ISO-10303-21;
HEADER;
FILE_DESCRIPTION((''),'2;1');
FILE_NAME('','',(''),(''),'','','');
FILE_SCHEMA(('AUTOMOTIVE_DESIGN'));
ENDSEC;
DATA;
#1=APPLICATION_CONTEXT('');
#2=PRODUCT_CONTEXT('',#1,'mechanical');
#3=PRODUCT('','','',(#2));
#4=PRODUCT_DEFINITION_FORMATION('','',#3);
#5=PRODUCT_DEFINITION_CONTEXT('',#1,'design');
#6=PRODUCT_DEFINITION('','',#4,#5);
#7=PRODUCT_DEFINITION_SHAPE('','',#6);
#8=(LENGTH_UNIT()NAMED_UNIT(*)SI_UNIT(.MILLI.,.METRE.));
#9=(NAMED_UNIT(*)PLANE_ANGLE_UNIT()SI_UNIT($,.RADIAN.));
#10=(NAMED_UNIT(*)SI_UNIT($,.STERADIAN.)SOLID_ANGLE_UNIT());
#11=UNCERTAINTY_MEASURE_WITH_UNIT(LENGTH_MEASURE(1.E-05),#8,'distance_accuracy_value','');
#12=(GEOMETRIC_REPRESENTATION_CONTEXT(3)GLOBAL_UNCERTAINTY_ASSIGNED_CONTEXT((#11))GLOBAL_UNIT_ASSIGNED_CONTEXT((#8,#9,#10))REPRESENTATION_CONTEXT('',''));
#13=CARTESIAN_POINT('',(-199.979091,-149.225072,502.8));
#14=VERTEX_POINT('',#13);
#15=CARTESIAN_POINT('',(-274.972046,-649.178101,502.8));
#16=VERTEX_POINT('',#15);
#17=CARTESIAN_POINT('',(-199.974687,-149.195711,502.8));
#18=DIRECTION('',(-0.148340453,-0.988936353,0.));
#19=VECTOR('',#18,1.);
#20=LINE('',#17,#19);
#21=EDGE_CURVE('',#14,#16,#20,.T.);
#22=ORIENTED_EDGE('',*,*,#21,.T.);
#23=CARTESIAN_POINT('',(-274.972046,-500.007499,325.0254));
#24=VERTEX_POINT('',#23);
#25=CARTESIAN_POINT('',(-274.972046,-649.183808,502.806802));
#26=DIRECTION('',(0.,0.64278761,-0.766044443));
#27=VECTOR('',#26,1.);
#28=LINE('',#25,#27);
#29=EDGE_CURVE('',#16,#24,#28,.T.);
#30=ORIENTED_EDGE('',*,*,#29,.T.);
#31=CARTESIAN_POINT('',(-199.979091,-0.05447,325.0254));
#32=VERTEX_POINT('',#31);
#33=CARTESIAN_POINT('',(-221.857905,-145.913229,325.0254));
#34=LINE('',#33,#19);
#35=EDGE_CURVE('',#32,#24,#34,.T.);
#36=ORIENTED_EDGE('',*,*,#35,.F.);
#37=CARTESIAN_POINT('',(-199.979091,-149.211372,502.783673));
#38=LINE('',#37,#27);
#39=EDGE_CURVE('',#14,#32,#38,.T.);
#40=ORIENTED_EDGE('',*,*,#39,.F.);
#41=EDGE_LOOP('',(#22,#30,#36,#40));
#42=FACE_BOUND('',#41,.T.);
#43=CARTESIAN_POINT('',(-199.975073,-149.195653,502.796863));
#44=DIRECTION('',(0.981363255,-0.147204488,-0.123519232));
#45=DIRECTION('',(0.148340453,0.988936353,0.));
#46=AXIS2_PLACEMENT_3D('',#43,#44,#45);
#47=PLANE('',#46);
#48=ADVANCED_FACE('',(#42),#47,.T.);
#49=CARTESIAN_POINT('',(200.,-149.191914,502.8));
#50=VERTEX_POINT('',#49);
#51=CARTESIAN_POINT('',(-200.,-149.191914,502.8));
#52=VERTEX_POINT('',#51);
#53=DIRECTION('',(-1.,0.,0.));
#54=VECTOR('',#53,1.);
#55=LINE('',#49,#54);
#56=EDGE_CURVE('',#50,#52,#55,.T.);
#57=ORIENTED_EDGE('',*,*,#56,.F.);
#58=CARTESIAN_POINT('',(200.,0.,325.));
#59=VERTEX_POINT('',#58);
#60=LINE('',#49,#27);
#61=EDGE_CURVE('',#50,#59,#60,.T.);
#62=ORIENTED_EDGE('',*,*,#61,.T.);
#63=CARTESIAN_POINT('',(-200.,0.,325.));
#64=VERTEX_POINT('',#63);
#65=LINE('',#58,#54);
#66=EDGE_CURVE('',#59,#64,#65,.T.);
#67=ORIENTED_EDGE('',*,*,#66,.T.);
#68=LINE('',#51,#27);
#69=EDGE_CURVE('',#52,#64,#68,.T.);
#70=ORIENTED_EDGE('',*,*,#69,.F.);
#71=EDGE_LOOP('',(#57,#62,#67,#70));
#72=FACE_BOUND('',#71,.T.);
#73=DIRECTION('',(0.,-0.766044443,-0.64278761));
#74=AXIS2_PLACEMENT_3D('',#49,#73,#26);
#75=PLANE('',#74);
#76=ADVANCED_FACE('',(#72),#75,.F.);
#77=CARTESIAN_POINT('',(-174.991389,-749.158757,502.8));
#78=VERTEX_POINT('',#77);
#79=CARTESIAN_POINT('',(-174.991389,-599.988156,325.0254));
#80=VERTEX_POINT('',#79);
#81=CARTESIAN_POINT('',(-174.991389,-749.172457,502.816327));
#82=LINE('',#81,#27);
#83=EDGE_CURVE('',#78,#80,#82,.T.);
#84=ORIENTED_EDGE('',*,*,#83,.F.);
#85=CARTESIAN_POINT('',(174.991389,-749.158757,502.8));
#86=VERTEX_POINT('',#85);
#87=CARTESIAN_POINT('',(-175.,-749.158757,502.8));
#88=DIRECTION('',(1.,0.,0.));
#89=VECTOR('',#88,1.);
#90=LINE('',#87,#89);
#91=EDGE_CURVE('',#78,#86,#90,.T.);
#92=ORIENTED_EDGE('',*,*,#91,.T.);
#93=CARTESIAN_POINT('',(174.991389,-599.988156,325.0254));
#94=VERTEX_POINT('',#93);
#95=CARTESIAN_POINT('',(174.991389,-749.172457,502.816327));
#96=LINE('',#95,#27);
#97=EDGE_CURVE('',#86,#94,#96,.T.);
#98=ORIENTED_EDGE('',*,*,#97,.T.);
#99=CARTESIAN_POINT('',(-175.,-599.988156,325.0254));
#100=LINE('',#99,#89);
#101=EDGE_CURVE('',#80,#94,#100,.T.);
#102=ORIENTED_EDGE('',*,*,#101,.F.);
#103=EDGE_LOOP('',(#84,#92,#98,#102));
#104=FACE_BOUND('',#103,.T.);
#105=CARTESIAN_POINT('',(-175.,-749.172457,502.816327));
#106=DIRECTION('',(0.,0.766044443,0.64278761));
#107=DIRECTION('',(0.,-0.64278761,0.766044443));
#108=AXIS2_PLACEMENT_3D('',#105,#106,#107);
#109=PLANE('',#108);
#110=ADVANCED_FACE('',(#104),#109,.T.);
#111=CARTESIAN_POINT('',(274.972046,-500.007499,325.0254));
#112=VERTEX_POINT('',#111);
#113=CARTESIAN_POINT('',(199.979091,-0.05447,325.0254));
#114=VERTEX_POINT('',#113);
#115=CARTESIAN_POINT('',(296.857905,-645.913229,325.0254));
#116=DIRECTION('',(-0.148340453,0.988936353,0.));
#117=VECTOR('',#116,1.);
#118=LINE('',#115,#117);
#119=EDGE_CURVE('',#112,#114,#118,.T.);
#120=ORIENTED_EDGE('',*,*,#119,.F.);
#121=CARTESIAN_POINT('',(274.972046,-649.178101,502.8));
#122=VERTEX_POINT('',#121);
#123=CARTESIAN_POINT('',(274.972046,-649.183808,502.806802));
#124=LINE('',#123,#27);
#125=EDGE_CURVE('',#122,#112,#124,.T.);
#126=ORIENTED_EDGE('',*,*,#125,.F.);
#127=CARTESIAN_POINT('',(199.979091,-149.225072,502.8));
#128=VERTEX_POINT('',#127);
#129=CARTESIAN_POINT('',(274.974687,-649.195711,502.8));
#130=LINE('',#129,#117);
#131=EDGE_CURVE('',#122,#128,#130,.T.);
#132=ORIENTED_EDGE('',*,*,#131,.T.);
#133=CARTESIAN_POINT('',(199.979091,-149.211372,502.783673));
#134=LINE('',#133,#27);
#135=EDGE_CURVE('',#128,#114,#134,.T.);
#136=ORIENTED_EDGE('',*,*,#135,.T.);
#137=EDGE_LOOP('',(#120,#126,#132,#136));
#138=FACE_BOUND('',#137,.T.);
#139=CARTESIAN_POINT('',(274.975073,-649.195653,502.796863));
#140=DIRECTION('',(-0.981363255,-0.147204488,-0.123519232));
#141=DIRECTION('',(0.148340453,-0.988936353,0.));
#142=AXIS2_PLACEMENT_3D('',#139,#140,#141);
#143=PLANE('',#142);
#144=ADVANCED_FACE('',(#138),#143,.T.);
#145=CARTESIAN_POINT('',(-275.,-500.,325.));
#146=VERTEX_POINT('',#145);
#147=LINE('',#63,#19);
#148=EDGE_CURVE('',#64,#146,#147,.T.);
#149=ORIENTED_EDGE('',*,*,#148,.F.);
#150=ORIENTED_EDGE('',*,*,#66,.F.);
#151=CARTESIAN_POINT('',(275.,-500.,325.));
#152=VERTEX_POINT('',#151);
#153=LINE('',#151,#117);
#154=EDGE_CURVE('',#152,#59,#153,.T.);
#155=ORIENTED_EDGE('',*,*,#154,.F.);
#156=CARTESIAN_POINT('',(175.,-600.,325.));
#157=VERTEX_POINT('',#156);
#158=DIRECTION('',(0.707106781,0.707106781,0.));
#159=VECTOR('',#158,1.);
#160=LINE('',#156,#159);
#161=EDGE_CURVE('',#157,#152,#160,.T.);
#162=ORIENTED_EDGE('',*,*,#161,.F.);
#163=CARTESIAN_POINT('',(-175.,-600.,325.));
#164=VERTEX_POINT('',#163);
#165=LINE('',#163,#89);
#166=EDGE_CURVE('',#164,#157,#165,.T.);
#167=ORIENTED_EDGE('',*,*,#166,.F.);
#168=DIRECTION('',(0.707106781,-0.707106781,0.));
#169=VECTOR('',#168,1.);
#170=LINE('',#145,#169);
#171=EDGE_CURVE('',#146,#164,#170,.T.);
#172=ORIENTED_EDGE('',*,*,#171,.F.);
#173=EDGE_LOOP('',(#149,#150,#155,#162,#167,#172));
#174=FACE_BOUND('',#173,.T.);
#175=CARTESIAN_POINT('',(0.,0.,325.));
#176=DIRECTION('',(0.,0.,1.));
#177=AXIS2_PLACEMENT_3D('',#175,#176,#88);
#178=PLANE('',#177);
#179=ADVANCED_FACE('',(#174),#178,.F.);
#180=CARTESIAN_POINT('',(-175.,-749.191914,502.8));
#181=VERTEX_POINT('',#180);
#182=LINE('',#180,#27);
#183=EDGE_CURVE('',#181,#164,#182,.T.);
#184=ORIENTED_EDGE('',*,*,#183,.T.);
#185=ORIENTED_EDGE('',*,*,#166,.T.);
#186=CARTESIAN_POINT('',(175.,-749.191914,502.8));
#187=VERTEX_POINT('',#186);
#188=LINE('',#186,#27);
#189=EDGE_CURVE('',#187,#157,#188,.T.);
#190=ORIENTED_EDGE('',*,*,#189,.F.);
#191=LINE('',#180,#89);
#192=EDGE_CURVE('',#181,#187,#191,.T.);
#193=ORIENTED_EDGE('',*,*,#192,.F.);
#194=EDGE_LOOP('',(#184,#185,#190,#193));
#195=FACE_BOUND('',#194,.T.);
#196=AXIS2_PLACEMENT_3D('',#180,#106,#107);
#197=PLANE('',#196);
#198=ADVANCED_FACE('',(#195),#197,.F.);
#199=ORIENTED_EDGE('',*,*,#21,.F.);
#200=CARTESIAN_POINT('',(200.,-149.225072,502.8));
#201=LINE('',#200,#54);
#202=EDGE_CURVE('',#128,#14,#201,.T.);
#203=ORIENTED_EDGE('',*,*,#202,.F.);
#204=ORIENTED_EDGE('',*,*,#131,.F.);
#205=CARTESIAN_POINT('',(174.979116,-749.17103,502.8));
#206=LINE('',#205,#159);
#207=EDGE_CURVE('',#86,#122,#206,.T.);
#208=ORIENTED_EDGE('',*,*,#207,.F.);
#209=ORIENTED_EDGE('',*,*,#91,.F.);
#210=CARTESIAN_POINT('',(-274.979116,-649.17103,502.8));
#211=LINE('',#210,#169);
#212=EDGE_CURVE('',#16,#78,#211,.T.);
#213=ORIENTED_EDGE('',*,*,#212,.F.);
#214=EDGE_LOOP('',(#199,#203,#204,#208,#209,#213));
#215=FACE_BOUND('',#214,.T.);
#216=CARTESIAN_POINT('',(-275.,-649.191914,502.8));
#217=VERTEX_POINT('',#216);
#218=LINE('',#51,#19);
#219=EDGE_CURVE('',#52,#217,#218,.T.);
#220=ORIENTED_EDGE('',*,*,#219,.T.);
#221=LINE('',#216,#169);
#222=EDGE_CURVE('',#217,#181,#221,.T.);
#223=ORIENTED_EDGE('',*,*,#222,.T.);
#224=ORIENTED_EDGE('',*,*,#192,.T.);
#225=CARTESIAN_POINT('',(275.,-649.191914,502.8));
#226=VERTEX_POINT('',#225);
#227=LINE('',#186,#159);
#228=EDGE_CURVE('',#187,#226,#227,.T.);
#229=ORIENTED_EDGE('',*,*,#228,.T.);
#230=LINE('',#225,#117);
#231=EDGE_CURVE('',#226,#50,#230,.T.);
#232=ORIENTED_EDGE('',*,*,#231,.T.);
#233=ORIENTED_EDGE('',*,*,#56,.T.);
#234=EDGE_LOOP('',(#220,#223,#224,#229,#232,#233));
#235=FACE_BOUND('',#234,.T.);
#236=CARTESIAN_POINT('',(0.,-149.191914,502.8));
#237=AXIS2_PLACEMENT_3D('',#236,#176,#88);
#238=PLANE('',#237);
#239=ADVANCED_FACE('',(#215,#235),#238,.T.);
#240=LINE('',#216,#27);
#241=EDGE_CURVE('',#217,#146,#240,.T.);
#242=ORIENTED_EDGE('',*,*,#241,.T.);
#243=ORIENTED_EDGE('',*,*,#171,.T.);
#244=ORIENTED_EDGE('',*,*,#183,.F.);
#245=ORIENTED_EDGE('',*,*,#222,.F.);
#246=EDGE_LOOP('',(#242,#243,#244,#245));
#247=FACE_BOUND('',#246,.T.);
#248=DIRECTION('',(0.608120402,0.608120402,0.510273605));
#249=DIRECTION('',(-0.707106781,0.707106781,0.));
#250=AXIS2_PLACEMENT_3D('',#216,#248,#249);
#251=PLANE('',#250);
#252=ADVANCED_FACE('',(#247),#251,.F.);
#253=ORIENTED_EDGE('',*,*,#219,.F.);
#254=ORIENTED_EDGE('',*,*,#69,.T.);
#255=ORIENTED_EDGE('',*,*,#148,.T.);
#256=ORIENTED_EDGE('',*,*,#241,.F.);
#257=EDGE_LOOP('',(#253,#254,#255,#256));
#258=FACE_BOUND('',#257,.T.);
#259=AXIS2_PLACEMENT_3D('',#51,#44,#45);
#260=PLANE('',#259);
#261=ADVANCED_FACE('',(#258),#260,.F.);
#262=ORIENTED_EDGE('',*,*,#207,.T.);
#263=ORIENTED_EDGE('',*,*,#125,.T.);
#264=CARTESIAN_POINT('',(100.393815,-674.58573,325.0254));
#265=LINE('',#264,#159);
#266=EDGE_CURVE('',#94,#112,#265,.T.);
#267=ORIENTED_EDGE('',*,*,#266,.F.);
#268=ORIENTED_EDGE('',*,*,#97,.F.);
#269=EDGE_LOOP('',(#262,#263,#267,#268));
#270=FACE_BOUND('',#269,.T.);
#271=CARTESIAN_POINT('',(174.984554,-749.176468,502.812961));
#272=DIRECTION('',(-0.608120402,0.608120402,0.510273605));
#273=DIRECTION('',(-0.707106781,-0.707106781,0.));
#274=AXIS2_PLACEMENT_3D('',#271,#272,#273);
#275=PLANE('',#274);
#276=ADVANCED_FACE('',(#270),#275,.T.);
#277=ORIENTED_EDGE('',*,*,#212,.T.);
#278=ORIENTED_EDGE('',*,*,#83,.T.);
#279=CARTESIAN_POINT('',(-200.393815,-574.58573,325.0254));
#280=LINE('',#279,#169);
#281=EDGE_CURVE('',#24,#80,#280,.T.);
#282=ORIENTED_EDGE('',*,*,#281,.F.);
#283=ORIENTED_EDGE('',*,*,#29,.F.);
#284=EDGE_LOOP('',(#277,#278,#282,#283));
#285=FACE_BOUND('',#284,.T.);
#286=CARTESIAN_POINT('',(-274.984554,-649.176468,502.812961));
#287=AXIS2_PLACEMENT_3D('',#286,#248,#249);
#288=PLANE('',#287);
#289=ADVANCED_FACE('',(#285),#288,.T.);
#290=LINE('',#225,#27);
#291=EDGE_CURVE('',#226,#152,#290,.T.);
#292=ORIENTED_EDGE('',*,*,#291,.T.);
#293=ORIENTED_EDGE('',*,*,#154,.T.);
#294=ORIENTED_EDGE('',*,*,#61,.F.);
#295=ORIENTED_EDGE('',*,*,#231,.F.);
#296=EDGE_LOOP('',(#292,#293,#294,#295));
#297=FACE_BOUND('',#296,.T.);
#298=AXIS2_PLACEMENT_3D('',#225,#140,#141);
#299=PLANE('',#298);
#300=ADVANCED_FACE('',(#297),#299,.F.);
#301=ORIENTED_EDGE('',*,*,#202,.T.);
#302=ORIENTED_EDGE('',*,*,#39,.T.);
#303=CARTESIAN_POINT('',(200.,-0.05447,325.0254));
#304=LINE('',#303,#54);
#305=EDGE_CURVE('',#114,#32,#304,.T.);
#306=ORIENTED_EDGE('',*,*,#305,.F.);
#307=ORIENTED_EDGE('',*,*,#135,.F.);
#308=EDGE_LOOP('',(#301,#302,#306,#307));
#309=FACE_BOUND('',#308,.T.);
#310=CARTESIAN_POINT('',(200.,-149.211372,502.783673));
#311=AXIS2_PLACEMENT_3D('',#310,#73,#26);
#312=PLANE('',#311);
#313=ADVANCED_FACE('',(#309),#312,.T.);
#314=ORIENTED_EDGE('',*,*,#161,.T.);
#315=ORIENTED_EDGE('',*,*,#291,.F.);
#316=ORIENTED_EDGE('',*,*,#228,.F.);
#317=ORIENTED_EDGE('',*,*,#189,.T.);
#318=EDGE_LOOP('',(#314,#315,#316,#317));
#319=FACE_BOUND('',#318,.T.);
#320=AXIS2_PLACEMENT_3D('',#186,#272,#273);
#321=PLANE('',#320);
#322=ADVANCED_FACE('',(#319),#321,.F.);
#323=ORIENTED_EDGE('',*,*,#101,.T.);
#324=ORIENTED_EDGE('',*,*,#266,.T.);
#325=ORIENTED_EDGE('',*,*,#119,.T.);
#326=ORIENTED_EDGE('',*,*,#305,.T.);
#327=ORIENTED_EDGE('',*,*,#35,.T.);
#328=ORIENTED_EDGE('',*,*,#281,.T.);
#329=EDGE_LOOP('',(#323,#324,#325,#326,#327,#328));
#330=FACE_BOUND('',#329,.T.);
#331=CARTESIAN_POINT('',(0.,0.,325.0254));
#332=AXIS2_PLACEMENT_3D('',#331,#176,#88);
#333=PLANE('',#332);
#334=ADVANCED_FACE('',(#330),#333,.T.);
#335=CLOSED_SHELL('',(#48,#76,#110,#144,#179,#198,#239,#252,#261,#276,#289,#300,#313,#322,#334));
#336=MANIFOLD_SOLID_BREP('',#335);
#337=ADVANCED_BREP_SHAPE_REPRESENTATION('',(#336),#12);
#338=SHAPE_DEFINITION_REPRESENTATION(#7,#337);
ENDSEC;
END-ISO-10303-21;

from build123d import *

# Parameters (mm, degrees)
SHELL2_T = -0.0254


with BuildPart() as part:
    # Sweep2: sweep along a path in Sketch2
    with BuildLine(Plane(origin=(0, 0, 0), x_dir=(0, 0, -1), z_dir=(1, 0, 0))) as sweep2_path:
        Line((-325, 0), (-502.8, -149.191914423))
    # Sketch3 → Sweep2 (sweep)
    with BuildSketch(Plane.XY.offset(325)):
        Polygon((200, 0), (-200, 0), (-275, -500), (-175, -600), (175, -600), (275, -500), align=None)
    sweep(path=sweep2_path.line)

    # Shell2
    shell2_openings = [part.faces().sort_by_distance(p)[0] for p in [
        (0, -457.451501444, 502.8),
    ]]
    offset(amount=SHELL2_T, openings=shell2_openings, kind=Kind.INTERSECTION)


solid = part.part
